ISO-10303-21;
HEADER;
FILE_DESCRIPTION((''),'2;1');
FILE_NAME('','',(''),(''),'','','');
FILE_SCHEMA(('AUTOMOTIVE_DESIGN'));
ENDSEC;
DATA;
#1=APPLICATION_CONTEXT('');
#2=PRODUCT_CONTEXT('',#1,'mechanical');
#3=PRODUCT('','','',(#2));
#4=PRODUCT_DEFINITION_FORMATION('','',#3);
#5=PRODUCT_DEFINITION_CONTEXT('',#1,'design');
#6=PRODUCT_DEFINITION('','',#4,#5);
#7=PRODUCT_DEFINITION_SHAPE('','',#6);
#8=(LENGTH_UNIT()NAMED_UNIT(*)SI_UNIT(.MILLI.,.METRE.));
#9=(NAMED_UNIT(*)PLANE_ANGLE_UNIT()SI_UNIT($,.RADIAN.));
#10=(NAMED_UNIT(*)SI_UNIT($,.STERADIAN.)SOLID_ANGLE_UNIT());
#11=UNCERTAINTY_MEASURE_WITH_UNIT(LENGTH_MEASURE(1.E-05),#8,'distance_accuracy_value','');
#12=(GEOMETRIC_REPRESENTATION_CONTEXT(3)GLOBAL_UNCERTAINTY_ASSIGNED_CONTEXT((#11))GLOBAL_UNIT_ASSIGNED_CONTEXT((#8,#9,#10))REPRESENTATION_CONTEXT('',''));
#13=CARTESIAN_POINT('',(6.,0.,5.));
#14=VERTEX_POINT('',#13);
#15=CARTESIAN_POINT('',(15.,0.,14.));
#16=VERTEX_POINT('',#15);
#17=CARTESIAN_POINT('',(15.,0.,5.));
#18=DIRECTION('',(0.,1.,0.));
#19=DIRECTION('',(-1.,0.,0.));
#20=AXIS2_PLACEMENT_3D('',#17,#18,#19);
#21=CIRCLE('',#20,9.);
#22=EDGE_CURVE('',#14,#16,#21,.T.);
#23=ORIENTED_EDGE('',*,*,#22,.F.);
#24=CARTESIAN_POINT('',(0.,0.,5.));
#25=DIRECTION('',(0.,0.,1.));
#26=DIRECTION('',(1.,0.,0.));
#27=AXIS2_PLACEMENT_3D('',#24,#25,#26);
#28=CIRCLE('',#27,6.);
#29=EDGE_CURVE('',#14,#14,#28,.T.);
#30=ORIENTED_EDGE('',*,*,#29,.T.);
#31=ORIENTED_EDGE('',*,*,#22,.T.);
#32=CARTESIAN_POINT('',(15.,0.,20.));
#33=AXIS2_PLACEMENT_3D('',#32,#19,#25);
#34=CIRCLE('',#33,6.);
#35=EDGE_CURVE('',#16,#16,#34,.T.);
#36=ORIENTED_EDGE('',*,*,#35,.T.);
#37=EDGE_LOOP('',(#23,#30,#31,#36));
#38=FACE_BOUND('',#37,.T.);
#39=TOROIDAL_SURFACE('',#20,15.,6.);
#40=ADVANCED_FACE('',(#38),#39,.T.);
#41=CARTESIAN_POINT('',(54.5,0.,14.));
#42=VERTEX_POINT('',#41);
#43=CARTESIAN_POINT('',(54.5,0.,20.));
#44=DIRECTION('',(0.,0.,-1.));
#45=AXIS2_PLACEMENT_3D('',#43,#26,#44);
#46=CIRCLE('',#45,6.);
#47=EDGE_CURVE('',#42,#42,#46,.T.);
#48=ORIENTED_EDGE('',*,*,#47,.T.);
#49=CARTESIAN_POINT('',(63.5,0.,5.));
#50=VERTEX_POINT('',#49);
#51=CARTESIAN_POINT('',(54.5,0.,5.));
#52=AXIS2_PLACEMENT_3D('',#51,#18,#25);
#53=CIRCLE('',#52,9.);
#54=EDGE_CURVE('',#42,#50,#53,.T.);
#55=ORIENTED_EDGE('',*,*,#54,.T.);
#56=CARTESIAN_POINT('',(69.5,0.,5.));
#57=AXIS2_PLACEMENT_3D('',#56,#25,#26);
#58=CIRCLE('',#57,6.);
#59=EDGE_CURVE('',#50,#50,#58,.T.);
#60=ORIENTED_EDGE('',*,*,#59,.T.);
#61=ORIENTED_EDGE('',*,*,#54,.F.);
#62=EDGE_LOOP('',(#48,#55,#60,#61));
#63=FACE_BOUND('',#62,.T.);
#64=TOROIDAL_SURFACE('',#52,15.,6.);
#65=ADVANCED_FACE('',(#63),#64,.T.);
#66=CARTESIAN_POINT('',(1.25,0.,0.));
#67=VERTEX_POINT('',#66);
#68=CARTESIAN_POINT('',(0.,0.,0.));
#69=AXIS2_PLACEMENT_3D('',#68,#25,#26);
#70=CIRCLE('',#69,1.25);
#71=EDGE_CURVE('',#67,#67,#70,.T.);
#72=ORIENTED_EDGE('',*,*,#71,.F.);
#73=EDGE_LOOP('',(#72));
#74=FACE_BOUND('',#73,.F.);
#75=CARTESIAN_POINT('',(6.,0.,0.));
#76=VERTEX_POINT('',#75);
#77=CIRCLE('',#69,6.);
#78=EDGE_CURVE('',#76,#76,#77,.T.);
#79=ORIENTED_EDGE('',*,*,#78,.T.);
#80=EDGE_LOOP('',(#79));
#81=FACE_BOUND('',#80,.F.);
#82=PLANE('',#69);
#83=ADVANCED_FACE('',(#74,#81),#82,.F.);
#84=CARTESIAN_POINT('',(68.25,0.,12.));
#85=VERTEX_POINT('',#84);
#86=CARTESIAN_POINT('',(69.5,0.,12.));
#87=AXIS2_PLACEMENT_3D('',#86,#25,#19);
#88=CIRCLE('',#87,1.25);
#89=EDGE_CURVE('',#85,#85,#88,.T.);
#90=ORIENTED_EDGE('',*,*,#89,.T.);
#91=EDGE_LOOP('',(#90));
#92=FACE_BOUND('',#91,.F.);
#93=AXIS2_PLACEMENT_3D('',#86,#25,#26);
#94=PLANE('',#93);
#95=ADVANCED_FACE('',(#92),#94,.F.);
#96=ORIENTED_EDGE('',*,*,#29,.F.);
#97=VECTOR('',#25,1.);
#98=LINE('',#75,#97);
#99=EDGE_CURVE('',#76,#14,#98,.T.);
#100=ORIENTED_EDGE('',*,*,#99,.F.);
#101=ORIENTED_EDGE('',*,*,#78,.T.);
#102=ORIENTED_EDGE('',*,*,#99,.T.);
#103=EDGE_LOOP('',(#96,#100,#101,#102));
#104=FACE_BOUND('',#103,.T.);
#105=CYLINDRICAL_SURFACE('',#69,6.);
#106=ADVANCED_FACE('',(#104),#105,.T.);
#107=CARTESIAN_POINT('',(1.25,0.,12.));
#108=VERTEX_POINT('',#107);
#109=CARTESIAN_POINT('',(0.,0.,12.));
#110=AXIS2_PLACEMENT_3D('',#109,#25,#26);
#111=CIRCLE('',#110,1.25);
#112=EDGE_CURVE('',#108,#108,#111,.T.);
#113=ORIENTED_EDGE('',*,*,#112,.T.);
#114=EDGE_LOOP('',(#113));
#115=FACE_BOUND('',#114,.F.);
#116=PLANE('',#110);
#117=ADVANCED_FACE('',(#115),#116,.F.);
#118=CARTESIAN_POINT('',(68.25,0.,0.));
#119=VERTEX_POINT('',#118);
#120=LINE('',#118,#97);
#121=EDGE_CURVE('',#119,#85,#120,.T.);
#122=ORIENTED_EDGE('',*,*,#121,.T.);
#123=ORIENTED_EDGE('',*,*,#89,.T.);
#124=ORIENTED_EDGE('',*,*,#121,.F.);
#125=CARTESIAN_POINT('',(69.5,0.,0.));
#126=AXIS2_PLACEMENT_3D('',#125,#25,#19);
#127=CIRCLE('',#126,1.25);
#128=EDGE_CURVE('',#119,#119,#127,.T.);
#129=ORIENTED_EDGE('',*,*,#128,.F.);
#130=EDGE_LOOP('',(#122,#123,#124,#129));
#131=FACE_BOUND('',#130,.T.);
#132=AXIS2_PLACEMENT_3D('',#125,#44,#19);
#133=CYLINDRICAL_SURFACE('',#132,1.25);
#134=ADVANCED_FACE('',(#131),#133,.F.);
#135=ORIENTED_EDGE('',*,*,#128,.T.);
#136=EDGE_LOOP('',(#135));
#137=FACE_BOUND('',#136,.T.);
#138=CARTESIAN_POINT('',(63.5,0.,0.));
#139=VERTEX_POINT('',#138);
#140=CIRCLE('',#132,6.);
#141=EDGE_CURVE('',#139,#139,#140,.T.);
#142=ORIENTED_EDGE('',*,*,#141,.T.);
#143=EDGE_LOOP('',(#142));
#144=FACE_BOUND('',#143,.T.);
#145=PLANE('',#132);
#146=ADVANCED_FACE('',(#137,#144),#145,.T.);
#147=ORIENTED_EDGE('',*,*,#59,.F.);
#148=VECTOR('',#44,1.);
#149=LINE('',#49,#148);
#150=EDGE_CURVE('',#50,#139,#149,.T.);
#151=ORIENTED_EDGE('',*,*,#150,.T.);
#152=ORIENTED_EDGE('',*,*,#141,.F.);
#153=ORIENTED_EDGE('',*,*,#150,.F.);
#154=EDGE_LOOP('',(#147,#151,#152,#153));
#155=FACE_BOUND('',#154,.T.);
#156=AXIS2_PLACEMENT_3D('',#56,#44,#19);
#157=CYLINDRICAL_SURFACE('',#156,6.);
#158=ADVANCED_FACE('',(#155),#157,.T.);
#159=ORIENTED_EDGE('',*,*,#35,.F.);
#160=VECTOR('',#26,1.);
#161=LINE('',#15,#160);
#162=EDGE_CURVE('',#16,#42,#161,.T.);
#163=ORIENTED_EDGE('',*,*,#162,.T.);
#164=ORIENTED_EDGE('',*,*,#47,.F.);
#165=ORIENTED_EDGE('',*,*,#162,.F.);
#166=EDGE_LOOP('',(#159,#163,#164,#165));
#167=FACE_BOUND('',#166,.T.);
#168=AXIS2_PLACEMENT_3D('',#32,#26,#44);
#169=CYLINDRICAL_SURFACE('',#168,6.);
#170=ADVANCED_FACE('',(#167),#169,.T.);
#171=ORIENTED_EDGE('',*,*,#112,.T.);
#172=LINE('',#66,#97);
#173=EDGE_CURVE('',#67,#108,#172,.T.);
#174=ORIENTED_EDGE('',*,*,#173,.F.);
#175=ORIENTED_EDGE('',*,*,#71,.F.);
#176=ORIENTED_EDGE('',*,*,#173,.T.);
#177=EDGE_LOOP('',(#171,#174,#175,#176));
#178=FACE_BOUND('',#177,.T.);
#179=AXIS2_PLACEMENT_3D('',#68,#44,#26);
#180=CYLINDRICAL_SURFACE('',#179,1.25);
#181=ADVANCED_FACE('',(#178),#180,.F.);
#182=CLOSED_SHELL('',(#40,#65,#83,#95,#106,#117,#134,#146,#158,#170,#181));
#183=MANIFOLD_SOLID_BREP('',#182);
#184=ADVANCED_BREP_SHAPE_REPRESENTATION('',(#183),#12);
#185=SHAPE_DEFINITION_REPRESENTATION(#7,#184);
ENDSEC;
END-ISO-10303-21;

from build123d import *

# Parameters (mm, degrees)
F0_R     = 6
F0_R_2   = 1.25
F3_DEPTH = 12
F4_DEPTH = 12


with BuildPart() as f2:
    # F2: sweep along a path in F1
    with BuildLine(Plane.XZ) as f2_path:
        Line((0, 0), (0, 5))
        ThreePointArc((0, 5), (4.3933982822, 15.6066017178), (15, 20))
        Line((15, 20), (54.5, 20))
        ThreePointArc((54.5, 20), (65.1066017178, 15.6066017178), (69.5, 5))
        Line((69.5, 5), (69.5, 0))
    # F0 (on Top) → F2 (sweep)
    with BuildSketch(Plane.XY):
        Circle(F0_R)
        Circle(F0_R_2, mode=Mode.SUBTRACT)
        Circle(F0_R_2)
    sweep(path=f2_path.line)

    # F0 (on Top) → F3 (cut)
    with BuildSketch(Plane.XY):
        Circle(F0_R_2)
    extrude(amount=F3_DEPTH, mode=Mode.SUBTRACT)

    # F0 (on Top) → F4 (cut)
    with BuildSketch(Plane.XY):
        with BuildLine():
            ThreePointArc((70.75, 0), (69.5, 1.25), (68.25, 0))
            ThreePointArc((68.25, 0), (69.5, -1.25), (70.75, 0))
        make_face()
    extrude(amount=F4_DEPTH, mode=Mode.SUBTRACT)


solid = f2.part
